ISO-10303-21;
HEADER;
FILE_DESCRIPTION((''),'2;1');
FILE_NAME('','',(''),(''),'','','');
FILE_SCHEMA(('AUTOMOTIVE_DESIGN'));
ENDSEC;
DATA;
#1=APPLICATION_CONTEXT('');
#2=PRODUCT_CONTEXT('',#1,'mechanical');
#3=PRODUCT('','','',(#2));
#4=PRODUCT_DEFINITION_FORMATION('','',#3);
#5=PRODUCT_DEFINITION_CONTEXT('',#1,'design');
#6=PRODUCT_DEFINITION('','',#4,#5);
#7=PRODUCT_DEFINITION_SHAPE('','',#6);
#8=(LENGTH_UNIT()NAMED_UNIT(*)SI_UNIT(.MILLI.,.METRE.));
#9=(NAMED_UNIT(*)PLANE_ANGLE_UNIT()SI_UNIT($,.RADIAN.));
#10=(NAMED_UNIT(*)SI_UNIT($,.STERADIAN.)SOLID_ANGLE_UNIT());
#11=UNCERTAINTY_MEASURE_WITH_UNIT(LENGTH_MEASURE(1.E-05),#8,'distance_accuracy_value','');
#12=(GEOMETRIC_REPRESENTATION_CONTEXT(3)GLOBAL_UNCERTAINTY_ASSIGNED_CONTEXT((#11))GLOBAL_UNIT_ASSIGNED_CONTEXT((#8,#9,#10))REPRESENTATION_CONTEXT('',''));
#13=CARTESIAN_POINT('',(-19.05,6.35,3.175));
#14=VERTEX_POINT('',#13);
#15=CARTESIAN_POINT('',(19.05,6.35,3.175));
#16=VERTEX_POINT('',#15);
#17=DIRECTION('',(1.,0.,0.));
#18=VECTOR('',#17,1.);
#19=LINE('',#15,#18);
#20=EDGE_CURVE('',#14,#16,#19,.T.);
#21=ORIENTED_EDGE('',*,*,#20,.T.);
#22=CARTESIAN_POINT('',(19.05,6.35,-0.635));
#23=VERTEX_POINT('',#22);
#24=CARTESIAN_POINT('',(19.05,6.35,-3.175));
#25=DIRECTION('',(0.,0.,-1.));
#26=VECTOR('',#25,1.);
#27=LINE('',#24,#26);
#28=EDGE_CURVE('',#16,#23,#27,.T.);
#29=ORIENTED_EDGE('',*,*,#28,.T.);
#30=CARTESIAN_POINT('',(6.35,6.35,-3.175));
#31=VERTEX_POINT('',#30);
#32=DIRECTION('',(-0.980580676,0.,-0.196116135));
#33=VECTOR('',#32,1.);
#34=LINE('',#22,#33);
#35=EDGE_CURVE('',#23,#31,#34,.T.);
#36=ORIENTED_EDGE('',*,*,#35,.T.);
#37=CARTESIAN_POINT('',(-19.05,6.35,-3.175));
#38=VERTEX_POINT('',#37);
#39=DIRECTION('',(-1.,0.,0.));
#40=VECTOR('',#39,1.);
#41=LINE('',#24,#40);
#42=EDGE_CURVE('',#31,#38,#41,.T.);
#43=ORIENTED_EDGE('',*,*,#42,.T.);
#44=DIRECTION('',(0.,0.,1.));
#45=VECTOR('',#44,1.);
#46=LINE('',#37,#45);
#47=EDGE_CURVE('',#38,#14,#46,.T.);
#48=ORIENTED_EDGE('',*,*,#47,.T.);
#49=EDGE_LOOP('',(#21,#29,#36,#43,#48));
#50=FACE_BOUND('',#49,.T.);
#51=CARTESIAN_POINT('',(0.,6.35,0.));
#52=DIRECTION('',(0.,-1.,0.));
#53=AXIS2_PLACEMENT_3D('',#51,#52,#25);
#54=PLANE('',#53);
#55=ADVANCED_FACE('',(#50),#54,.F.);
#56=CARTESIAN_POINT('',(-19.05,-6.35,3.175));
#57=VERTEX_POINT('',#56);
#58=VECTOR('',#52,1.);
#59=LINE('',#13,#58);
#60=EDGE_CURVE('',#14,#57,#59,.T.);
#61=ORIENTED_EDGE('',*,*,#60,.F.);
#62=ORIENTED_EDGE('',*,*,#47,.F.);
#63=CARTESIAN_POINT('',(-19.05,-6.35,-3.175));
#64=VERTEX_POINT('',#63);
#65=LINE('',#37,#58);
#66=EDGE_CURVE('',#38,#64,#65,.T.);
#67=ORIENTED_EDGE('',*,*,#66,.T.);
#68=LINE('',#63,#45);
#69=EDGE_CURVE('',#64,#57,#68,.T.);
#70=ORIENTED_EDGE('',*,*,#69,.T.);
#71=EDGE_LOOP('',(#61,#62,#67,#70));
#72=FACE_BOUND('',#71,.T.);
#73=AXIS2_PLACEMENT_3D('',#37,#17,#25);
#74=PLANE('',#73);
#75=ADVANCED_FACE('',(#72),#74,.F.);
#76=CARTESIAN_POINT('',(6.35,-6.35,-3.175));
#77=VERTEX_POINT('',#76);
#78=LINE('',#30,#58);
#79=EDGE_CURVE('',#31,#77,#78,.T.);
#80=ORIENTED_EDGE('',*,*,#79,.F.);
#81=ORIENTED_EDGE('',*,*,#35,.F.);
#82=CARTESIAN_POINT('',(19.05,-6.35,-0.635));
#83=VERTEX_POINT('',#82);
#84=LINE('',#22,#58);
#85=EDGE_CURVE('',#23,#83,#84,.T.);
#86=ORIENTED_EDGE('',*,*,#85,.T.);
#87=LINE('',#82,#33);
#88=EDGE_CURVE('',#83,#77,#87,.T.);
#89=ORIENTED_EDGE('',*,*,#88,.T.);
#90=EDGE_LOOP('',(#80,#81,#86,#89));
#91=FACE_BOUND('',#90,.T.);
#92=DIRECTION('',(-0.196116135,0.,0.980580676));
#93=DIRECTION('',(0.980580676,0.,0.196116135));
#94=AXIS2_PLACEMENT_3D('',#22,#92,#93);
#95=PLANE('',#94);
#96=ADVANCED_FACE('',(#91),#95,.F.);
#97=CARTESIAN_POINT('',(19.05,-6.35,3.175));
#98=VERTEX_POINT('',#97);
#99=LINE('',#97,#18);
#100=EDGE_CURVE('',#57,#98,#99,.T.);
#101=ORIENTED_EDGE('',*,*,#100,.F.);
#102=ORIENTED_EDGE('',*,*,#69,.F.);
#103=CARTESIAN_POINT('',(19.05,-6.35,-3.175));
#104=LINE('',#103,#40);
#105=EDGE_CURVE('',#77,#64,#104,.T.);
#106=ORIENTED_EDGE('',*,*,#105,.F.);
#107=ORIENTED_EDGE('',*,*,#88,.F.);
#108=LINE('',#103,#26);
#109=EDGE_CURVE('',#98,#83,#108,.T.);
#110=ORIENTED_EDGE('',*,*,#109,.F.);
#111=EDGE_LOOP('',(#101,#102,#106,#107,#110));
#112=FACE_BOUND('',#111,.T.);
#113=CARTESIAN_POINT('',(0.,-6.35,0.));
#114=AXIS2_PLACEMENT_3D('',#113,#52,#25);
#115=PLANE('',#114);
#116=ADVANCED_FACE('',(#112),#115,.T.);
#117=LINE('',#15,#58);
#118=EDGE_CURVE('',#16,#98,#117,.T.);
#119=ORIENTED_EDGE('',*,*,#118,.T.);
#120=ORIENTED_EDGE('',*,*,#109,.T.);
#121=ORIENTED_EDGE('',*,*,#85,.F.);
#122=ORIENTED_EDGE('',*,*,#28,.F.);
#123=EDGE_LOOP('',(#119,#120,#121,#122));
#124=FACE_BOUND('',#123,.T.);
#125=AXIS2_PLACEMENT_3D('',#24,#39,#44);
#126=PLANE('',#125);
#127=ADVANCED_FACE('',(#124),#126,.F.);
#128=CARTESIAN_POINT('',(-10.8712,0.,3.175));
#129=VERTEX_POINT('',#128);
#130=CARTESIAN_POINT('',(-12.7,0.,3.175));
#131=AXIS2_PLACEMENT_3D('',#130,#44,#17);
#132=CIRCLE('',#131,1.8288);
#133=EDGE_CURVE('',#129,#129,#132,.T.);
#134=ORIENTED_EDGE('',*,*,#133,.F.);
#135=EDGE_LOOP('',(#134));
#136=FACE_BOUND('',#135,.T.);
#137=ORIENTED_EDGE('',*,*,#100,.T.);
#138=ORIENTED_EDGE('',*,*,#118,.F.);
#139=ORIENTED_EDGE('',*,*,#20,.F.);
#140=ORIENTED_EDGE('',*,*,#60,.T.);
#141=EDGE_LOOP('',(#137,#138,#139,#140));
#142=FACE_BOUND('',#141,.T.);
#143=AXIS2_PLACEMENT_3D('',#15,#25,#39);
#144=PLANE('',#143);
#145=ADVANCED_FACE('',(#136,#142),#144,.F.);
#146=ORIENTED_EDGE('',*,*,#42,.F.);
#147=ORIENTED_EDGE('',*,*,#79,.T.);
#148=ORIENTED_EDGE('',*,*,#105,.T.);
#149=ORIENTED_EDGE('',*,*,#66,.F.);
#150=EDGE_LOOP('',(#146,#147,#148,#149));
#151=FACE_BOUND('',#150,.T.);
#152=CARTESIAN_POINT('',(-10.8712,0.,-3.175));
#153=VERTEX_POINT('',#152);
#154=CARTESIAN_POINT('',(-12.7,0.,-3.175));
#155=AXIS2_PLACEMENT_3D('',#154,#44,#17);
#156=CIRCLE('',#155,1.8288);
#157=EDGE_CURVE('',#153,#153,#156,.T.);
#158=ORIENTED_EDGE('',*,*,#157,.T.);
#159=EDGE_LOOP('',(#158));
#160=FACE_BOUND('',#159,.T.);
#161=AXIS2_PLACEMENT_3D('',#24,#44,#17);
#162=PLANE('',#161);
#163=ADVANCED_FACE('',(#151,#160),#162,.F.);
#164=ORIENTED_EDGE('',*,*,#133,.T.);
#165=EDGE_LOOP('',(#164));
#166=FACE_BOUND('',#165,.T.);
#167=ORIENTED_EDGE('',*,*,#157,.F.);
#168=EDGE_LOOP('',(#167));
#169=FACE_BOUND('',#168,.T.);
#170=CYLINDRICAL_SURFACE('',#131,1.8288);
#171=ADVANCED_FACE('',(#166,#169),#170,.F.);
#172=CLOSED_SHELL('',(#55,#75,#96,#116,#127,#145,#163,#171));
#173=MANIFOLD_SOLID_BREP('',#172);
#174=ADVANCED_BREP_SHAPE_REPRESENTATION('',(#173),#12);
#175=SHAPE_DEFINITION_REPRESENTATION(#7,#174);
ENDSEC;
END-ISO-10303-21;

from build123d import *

# Parameters (mm, degrees)
SKETCH1_W                   = 38.1
SKETCH1_H                   = 6.35
BOSS_EXTRUDE1_DEPTH         = 6.35
F_27_0_144_DIAMETER_HOLE1_D = 3.6576
CUT_EXTRUDE1_DEPTH          = 13.7


with BuildPart() as part:
    # Sketch1 → Boss-Extrude1 (new body, symmetric)
    with BuildSketch(Plane(origin=(0, 0, 0), x_dir=(-1, 0, 0), z_dir=(0, 1, 0))):
        Rectangle(SKETCH1_W, SKETCH1_H)
    extrude(amount=BOSS_EXTRUDE1_DEPTH, both=True)

    # #27 (0.144) Diameter Hole1 (through all)
    with Locations(Plane.XY.offset(3.175)):
        with Locations((-12.7, 0)):
            Hole(F_27_0_144_DIAMETER_HOLE1_D / 2)

    # Sketch5 → Cut-Extrude1 (cut, through all)
    with BuildSketch(Plane.XZ.offset(6.35)):
        Polygon((19.05, -0.635), (6.35, -3.175), (19.05, -3.175), align=None)
    extrude(amount=-CUT_EXTRUDE1_DEPTH, mode=Mode.SUBTRACT)


solid = part.part
